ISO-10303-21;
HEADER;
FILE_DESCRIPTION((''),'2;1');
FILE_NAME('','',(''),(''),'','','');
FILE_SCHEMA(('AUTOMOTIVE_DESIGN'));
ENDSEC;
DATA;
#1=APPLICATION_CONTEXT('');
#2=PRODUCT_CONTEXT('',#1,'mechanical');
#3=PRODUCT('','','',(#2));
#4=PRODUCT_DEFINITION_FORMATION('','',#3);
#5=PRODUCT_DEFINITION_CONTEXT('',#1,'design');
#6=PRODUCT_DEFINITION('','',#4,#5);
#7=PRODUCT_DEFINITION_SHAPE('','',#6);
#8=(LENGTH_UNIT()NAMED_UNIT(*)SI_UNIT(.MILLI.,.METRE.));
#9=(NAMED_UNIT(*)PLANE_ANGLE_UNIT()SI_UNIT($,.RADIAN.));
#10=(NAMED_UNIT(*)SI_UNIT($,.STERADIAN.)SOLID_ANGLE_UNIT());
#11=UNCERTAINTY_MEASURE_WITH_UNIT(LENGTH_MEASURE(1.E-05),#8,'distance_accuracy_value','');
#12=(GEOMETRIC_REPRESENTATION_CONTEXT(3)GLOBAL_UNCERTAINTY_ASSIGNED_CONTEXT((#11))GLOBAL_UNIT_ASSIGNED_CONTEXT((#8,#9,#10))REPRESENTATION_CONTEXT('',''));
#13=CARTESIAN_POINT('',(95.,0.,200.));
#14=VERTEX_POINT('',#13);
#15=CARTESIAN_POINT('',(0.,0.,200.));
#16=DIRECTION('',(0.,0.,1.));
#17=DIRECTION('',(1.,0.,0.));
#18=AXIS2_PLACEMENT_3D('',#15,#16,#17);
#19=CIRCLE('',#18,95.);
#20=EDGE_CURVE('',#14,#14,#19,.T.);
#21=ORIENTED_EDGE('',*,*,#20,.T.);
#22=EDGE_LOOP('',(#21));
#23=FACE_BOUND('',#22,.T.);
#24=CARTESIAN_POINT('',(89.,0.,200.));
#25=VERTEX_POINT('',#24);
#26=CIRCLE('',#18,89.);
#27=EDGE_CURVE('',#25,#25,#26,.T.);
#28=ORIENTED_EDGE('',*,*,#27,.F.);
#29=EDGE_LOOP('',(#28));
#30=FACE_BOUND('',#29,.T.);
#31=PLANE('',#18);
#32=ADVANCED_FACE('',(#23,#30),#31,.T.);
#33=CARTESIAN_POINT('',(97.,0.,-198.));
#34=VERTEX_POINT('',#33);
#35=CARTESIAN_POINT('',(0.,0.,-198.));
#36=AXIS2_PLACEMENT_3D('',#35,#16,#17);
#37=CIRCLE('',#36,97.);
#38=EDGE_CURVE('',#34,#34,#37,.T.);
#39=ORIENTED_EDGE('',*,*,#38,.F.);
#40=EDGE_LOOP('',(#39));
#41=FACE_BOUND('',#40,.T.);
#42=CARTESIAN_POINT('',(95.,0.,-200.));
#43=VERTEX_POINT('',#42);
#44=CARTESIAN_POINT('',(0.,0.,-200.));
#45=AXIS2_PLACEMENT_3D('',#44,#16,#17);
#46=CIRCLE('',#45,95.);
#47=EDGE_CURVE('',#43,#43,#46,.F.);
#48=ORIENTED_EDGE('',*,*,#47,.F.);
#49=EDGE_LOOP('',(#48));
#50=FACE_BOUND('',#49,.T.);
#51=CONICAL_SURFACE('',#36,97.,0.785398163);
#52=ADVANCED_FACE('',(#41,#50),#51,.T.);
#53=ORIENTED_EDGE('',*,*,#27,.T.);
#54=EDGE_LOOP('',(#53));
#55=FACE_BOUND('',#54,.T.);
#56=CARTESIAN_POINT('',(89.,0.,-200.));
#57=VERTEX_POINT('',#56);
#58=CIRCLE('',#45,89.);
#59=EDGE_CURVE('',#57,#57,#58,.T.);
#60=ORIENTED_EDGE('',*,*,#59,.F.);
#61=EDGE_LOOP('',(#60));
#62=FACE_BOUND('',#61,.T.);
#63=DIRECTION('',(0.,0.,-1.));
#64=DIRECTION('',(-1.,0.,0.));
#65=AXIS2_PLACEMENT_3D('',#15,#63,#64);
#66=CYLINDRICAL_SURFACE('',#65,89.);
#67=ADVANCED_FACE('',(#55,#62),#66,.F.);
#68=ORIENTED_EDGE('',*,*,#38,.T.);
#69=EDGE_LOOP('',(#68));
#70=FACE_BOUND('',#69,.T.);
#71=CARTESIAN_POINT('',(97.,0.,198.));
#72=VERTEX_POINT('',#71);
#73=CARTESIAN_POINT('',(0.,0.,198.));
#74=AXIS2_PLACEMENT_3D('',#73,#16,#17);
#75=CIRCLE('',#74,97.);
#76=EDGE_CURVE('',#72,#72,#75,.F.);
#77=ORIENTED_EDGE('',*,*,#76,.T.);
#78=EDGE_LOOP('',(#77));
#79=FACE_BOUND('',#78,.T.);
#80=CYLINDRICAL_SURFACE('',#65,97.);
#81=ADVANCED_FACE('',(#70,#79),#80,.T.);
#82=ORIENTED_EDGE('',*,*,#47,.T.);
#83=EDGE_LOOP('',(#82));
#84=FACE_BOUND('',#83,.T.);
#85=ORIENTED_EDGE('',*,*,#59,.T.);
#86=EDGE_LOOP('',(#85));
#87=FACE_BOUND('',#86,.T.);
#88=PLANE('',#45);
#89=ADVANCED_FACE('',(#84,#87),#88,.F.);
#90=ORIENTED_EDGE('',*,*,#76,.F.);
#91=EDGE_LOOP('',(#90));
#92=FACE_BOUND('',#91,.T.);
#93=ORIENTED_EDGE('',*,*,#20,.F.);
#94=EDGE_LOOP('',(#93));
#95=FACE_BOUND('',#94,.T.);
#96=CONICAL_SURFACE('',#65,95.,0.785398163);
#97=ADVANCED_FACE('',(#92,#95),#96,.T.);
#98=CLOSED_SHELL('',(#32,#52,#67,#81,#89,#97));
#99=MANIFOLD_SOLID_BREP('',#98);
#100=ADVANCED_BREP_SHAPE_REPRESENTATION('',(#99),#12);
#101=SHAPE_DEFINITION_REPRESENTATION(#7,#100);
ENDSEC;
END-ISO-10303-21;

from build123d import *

# Parameters (mm, degrees)
SKETCH_2_R      = 97
SKETCH_2_R_2    = 89
EXTRUDE_1_DEPTH = 200
CHAMFER_1_SIZE  = 2


with BuildPart() as part:
    # 草图2 → 凸台-拉伸1 (new, symmetric)
    with BuildSketch(Plane.XY):
        Circle(SKETCH_2_R)
        Circle(SKETCH_2_R_2, mode=Mode.SUBTRACT)
    extrude(amount=EXTRUDE_1_DEPTH, both=True)

    # 倒角1
    chamfer_1_edges = [part.edges().sort_by_distance(p)[0] for p in [
        (-97, 0, -200),
        (-97, 0, 200),
    ]]
    chamfer(chamfer_1_edges, length=CHAMFER_1_SIZE)


solid = part.part
